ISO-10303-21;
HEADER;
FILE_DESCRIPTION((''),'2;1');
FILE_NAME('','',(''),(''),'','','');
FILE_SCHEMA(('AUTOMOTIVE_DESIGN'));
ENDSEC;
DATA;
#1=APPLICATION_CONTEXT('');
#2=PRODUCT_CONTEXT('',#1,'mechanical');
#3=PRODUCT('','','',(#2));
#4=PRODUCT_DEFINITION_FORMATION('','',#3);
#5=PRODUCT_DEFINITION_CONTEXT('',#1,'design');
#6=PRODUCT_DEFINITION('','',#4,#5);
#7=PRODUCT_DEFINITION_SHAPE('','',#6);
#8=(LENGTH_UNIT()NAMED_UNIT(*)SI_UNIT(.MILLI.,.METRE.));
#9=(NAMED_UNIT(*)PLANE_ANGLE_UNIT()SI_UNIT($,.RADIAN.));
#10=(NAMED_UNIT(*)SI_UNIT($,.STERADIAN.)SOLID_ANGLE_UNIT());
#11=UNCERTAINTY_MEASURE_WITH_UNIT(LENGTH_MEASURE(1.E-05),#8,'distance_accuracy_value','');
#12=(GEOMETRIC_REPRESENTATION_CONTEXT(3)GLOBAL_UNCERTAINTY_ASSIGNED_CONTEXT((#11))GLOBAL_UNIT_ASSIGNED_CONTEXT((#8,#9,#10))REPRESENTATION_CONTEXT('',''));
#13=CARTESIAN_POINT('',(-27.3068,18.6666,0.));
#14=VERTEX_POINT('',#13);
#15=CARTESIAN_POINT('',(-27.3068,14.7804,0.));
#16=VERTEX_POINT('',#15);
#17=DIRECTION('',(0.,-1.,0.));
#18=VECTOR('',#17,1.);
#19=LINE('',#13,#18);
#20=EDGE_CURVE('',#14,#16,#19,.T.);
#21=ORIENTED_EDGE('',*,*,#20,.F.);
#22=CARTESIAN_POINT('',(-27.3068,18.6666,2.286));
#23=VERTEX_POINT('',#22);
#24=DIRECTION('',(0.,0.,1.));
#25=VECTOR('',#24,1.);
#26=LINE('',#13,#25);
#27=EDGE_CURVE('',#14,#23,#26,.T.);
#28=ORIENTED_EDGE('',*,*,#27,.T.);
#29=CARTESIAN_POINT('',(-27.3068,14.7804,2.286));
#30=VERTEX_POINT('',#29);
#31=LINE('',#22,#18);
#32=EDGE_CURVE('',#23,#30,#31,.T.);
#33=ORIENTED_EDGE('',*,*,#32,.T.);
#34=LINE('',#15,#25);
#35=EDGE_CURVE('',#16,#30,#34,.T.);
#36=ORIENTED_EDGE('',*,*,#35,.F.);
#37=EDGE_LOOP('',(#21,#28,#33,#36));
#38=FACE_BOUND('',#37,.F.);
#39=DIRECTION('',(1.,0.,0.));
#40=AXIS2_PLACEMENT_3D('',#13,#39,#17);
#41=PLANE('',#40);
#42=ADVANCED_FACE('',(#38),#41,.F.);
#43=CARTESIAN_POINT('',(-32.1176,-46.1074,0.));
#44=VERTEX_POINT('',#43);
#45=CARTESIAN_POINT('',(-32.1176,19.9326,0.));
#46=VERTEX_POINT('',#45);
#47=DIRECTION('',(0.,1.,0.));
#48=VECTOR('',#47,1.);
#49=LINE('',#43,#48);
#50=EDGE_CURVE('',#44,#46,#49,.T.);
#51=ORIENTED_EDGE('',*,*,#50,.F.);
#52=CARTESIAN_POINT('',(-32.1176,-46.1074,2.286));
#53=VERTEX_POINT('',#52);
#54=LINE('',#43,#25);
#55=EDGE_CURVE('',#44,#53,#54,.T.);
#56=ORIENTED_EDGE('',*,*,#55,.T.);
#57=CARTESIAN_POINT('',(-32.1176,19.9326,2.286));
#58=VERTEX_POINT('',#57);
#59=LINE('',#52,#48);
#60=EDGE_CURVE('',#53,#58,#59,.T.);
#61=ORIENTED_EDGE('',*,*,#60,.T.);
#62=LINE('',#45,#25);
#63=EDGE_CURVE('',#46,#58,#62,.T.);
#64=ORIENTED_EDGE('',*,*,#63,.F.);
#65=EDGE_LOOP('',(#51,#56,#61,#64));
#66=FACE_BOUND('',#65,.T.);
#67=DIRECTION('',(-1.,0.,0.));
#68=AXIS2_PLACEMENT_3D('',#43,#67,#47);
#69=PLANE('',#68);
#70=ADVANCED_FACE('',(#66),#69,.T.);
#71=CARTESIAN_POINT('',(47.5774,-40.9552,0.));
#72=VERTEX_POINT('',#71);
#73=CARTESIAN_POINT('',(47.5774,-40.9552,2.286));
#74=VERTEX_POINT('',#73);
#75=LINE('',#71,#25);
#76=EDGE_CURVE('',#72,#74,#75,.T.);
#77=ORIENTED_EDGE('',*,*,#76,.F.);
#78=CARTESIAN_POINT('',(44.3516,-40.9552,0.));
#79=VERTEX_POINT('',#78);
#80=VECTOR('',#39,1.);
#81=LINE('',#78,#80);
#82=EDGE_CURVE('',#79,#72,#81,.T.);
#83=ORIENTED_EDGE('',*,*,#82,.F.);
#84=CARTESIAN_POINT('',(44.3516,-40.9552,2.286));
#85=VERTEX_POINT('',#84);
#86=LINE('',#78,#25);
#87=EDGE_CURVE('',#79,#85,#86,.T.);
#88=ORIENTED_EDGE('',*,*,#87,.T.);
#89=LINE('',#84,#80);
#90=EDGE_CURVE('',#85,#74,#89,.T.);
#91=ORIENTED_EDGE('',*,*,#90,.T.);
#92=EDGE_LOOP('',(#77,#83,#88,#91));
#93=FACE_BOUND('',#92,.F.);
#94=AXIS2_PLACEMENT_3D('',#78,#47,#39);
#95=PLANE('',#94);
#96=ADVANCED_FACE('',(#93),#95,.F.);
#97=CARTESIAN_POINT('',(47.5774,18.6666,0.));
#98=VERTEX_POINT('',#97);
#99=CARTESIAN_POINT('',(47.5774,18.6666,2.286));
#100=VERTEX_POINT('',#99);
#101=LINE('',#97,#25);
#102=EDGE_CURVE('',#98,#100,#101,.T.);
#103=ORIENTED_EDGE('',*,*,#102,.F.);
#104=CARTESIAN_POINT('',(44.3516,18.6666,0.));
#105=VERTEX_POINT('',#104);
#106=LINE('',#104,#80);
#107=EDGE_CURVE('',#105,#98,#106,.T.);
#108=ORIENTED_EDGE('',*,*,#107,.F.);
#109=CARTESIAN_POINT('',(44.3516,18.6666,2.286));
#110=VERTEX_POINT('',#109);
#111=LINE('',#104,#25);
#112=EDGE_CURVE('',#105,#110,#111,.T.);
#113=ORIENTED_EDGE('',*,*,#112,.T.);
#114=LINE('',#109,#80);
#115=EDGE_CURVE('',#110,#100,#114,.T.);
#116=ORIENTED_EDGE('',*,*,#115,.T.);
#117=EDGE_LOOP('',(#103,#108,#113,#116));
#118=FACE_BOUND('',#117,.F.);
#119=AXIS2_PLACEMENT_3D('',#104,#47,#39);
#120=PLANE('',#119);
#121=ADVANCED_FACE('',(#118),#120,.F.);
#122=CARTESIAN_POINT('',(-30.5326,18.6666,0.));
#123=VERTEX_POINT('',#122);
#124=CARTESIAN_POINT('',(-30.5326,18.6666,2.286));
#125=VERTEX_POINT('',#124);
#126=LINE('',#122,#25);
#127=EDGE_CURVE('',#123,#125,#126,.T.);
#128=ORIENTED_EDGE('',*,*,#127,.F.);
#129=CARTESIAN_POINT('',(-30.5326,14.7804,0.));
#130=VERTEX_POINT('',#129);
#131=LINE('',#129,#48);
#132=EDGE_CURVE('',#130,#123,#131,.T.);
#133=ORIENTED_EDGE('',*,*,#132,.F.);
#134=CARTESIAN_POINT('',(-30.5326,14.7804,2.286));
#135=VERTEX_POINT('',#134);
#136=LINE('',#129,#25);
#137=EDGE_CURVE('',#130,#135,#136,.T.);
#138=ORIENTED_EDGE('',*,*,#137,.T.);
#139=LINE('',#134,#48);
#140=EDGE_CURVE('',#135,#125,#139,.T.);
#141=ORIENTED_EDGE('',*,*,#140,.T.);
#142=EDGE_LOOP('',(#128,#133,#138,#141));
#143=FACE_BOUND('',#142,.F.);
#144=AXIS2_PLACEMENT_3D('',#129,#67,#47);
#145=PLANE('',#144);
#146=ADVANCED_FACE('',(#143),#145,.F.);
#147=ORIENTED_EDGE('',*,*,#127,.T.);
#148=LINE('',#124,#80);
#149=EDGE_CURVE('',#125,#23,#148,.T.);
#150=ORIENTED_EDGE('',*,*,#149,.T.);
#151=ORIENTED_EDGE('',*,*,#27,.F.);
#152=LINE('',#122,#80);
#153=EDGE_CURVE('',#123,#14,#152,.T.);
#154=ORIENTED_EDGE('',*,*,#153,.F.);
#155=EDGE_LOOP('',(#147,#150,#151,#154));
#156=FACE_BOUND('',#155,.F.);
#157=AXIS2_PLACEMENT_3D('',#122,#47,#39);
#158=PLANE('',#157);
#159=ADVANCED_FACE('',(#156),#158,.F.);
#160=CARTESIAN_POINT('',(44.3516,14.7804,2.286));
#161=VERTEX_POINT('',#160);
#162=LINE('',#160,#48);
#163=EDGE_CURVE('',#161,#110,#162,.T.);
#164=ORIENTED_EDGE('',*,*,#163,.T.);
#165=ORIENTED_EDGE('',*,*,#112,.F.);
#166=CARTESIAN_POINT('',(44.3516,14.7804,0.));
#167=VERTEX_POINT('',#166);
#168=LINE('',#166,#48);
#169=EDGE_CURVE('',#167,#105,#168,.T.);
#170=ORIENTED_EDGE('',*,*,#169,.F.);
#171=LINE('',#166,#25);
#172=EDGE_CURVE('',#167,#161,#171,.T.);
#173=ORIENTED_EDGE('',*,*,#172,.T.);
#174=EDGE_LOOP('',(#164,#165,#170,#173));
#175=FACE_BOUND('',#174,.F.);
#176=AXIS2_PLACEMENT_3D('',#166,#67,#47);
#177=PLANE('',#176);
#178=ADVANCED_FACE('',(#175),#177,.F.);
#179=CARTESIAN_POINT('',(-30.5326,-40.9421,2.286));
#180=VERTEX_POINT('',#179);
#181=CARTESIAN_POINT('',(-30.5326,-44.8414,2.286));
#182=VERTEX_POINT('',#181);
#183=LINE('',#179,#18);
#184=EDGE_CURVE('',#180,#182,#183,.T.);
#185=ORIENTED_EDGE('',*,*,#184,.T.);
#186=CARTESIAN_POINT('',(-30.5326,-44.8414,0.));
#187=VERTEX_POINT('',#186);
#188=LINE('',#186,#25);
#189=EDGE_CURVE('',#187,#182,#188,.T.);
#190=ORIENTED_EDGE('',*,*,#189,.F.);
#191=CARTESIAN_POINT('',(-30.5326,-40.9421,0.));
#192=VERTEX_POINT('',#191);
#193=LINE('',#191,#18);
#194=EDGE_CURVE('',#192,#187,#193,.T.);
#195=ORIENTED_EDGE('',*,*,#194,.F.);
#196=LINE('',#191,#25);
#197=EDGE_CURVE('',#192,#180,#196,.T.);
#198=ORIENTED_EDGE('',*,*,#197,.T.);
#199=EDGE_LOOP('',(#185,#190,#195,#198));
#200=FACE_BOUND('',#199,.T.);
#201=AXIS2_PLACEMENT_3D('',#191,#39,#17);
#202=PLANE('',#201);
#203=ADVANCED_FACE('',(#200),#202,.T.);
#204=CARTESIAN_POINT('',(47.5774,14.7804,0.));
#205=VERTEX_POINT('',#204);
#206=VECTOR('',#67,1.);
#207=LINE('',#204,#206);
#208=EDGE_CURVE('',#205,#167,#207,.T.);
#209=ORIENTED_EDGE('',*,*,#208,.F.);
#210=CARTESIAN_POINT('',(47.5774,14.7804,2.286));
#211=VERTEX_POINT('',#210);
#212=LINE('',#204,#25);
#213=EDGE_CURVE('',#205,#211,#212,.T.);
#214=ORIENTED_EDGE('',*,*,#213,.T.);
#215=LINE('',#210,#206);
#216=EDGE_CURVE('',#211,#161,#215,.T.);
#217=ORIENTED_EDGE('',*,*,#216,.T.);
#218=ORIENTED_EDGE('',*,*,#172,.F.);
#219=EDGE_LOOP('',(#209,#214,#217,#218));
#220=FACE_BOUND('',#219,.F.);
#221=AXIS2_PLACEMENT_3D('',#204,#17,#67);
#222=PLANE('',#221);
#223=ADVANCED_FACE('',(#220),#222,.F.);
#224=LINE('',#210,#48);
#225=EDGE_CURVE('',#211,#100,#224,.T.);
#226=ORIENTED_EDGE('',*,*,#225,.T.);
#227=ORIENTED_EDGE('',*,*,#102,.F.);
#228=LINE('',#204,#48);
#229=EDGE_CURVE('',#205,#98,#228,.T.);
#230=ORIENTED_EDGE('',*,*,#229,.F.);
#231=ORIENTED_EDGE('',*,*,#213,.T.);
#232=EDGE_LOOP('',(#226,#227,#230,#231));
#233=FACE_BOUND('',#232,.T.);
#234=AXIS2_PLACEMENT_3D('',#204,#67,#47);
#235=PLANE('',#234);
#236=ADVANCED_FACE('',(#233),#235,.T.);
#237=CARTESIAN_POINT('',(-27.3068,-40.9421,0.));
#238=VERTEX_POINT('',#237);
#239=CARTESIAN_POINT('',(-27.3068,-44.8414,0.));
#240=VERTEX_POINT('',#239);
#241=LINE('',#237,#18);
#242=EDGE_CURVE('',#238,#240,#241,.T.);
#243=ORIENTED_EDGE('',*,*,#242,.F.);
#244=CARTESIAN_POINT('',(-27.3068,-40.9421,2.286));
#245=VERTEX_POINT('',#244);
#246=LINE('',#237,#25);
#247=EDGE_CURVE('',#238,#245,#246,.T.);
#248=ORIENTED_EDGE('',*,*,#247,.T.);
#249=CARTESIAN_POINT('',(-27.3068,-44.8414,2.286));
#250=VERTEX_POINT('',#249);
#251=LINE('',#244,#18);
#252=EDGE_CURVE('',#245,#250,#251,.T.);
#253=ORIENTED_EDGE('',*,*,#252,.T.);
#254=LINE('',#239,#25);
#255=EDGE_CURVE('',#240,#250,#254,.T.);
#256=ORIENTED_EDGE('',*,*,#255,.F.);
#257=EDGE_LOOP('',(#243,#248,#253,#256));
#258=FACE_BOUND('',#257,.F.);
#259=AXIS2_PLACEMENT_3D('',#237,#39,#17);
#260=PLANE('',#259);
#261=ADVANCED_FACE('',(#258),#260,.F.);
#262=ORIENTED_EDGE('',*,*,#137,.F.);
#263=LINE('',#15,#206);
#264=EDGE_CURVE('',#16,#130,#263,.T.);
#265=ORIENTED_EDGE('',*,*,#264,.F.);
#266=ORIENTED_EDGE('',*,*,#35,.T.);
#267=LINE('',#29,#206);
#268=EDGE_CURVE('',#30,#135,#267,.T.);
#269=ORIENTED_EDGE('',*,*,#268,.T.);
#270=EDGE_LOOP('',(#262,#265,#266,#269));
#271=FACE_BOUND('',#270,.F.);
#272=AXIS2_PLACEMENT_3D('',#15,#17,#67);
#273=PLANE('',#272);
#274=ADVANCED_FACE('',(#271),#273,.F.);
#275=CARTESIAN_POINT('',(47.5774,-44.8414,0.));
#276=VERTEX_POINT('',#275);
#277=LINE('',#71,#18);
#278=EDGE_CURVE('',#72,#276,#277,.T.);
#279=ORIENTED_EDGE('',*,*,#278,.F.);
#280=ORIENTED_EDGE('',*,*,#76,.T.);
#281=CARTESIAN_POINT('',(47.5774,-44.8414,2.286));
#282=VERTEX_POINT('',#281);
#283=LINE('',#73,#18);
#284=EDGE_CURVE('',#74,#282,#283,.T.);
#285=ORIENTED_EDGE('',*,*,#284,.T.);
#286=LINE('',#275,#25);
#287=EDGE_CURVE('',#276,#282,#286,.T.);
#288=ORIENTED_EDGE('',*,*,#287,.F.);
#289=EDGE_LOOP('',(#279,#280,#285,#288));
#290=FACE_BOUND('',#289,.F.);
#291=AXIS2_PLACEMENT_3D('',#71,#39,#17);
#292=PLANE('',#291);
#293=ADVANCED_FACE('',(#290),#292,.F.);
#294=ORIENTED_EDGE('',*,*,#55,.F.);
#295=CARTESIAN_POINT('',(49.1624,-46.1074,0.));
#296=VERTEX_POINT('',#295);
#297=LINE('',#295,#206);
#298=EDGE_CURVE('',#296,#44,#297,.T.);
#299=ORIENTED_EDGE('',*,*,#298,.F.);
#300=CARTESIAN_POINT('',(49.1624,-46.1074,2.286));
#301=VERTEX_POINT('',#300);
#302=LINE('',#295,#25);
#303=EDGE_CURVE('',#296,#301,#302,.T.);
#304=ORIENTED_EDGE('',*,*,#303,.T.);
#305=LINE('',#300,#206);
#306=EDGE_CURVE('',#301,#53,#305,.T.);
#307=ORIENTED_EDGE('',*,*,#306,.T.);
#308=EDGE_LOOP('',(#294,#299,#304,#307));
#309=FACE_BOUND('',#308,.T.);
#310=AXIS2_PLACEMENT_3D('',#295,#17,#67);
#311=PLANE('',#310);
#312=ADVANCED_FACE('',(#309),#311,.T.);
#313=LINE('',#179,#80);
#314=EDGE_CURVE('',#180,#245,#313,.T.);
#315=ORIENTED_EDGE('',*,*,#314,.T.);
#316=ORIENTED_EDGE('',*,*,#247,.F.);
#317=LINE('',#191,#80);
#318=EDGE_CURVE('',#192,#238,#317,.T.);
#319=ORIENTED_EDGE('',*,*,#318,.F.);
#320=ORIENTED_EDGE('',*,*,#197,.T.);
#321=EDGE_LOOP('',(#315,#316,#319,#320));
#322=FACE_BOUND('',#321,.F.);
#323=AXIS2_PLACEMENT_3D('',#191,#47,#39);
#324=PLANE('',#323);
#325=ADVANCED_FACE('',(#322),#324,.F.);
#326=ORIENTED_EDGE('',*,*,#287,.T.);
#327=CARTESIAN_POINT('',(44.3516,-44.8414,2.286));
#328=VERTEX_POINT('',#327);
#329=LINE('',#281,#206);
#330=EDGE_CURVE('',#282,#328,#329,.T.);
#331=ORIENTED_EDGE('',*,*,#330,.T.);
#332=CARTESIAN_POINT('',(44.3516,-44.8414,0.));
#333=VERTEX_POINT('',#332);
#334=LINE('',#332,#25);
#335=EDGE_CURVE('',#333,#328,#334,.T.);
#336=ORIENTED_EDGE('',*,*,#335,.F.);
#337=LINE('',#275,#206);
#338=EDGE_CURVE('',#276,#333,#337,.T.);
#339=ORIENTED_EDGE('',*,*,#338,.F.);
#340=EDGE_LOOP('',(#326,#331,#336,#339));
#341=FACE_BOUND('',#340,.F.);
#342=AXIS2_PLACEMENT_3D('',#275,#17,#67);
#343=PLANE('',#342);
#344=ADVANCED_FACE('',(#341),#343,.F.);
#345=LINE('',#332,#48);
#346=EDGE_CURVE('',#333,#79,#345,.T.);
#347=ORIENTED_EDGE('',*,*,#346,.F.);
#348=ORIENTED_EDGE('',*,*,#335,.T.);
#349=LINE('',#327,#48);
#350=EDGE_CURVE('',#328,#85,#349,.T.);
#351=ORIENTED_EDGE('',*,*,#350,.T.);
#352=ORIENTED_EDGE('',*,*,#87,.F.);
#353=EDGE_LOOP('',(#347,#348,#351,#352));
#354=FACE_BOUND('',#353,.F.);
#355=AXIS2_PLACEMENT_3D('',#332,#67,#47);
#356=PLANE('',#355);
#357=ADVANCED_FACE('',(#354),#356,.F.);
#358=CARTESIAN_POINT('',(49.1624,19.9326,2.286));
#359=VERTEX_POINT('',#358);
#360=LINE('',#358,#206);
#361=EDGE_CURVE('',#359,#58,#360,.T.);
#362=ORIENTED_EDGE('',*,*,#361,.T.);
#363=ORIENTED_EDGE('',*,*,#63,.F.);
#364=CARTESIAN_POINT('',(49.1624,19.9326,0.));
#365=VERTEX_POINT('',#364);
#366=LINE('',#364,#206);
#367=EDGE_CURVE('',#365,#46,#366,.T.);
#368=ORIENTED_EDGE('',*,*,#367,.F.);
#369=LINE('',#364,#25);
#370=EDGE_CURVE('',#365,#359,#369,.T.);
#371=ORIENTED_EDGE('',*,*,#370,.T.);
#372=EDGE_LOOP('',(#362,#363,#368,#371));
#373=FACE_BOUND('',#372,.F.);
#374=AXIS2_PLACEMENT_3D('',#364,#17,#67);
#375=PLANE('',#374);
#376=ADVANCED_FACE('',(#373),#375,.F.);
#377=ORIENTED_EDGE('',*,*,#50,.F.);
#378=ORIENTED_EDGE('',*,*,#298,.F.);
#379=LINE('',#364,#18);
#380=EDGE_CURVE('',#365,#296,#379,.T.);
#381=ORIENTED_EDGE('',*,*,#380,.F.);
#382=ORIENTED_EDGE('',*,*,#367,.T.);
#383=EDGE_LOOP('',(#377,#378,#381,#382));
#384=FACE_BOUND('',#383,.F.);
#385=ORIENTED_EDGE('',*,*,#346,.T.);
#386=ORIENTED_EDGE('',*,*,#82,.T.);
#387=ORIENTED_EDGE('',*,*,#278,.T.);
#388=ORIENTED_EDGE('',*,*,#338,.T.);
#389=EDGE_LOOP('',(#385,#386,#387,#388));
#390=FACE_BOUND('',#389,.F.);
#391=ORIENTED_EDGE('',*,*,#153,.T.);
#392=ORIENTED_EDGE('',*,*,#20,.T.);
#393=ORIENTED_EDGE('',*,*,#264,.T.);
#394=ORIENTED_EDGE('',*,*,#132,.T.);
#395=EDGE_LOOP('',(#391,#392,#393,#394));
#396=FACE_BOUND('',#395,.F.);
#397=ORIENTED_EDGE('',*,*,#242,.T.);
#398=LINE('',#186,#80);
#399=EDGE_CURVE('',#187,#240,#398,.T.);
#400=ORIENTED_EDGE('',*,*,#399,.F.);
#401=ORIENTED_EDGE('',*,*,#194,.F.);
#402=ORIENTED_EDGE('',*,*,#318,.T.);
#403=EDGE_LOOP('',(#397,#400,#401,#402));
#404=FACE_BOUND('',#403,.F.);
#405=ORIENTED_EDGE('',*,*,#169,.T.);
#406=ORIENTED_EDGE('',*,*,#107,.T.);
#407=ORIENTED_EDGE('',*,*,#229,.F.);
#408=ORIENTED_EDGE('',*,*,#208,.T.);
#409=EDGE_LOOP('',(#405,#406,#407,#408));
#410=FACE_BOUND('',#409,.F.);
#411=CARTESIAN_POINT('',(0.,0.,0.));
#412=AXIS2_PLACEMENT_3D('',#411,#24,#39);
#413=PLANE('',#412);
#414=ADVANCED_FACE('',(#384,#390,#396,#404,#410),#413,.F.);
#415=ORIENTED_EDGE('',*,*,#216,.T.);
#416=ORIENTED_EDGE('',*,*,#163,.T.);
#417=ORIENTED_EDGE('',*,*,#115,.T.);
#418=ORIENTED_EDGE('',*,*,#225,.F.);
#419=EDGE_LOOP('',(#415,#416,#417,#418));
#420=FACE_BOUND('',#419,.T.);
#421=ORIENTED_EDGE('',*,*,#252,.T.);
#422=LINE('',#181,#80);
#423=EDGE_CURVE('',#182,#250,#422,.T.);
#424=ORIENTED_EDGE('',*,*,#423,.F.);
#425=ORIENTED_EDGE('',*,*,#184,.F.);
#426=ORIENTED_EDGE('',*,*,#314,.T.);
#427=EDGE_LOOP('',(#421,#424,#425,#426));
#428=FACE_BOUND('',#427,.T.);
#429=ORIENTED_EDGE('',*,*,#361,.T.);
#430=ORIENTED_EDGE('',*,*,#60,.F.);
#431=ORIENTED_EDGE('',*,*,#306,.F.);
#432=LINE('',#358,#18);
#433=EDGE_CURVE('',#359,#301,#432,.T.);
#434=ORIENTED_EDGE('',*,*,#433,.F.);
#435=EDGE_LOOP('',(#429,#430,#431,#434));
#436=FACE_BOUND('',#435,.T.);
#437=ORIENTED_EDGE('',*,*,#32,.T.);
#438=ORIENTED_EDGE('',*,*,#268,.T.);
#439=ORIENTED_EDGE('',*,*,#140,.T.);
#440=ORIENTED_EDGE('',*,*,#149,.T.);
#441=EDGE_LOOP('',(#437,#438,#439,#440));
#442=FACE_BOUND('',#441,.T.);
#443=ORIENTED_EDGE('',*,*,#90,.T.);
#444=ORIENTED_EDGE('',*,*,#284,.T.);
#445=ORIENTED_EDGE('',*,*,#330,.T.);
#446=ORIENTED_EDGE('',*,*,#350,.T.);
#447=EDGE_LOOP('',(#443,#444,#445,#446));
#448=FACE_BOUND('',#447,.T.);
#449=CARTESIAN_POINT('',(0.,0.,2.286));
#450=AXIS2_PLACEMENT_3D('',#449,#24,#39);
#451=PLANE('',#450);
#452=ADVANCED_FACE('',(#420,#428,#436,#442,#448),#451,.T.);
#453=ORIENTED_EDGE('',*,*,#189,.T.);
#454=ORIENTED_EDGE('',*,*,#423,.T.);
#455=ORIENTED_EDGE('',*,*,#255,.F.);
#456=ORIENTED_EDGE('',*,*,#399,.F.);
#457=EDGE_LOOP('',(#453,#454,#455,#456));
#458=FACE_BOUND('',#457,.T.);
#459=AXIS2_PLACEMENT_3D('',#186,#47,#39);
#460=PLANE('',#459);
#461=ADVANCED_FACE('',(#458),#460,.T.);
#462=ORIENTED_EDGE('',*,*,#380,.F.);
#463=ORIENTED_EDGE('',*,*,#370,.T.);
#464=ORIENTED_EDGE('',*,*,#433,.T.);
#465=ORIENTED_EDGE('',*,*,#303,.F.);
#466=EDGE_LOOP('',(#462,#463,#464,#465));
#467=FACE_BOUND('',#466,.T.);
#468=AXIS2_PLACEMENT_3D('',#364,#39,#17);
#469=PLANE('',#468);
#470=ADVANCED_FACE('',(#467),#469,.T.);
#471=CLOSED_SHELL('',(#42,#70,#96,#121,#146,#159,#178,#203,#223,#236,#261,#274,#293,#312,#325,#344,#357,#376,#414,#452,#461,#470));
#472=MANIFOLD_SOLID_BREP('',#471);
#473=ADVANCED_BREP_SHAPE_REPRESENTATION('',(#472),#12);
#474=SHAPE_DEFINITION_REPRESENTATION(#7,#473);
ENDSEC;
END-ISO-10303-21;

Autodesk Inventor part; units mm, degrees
ref_plane "YZ Plane" through (0, 0, 0) normal (1, 0, 0) x (0, 1, 0)
ref_plane "XZ Plane" through (0, 0, 0) normal (0, 1, 0) x (-1, 0, 0)
ref_plane "XY Plane" through (0, 0, 0) normal (0, 0, 1) x (1, 0, 0)
sketch "Sketch1" plane through (0, 0, 0) normal (0, 0, 1) x (1, 0, 0)
  line L0 (49.1624, -46.1074) -> (-32.1176, -46.1074)
  line L1 (49.1624, -46.1074) -> (-32.1176, -46.1074)
  line L2 (-32.1176, -46.1074) -> (-32.1176, 19.9326)
  line L3 (-32.1176, -46.1074) -> (-32.1176, 19.9326)
  line L4 (49.1624, 19.9326) -> (-32.1176, 19.9326)
  line L5 (-32.1176, 19.9326) -> (49.1624, 19.9326)
  line L6 (49.1624, 19.9326) -> (49.1624, -46.1074)
  line L7 (44.3516, -40.9552) -> (47.5774, -40.9552)
  line L8 (44.3516, -40.9552) -> (47.5774, -40.9552)
  line L9 (47.5774, -40.9552) -> (47.5774, -44.8414)
  line L10 (47.5774, -40.9552) -> (47.5774, -44.8414)
  line L11 (47.5774, -44.8414) -> (44.3516, -44.8414)
  line L12 (47.5774, -44.8414) -> (44.3516, -44.8414)
  line L13 (44.3516, -44.8414) -> (44.3516, -40.9552)
  line L14 (44.3516, -44.8414) -> (44.3516, -40.9552)
  line L15 (47.5774, 14.7804) -> (47.5774, 18.6666)
  line L16 (47.5774, 14.7804) -> (44.3516, 14.7804)
  line L17 (44.3516, 14.7804) -> (44.3516, 18.6666)
  line L18 (44.3516, 14.7804) -> (44.3516, 18.6666)
  line L19 (44.3516, 18.6666) -> (47.5774, 18.6666)
  line L20 (44.3516, 18.6666) -> (47.5774, 18.6666)
  line L21 (47.5774, 18.6666) -> (47.5774, 14.7804)
  line L22 (-30.5326, -40.9421) -> (-27.3068, -40.9421)
  line L23 (-30.5326, -44.8414) -> (-27.3068, -44.8414)
  line L24 (-26.9875, -44.8414) -> (-30.5326, -44.8414)
  line L25 (-27.3068, 14.7804) -> (-30.5326, 14.7804)
  line L26 (-27.3068, 14.7804) -> (-30.5326, 14.7804)
  line L27 (-30.5326, 14.7804) -> (-30.5326, 18.6666)
  line L28 (-30.5326, 14.7804) -> (-30.5326, 18.6666)
  line L29 (-30.5326, 18.6666) -> (-27.3068, 18.6666)
  line L30 (-30.5326, 18.6666) -> (-27.3068, 18.6666)
  line L31 (-27.3068, 18.6666) -> (-27.3068, 14.7804)
  line L32 (-27.3068, 18.6666) -> (-27.3068, 14.7804)
  line L33 (-30.5326, -40.9421) -> (-30.5326, -44.8414)
  line L34 (-27.3068, -40.9421) -> (-27.3068, -44.8414)
  point P0 (0, 0)
extrude "Extrusion1" add sketch "Sketch1" along normal blind 2.286
properties part number "mcdave_top"
